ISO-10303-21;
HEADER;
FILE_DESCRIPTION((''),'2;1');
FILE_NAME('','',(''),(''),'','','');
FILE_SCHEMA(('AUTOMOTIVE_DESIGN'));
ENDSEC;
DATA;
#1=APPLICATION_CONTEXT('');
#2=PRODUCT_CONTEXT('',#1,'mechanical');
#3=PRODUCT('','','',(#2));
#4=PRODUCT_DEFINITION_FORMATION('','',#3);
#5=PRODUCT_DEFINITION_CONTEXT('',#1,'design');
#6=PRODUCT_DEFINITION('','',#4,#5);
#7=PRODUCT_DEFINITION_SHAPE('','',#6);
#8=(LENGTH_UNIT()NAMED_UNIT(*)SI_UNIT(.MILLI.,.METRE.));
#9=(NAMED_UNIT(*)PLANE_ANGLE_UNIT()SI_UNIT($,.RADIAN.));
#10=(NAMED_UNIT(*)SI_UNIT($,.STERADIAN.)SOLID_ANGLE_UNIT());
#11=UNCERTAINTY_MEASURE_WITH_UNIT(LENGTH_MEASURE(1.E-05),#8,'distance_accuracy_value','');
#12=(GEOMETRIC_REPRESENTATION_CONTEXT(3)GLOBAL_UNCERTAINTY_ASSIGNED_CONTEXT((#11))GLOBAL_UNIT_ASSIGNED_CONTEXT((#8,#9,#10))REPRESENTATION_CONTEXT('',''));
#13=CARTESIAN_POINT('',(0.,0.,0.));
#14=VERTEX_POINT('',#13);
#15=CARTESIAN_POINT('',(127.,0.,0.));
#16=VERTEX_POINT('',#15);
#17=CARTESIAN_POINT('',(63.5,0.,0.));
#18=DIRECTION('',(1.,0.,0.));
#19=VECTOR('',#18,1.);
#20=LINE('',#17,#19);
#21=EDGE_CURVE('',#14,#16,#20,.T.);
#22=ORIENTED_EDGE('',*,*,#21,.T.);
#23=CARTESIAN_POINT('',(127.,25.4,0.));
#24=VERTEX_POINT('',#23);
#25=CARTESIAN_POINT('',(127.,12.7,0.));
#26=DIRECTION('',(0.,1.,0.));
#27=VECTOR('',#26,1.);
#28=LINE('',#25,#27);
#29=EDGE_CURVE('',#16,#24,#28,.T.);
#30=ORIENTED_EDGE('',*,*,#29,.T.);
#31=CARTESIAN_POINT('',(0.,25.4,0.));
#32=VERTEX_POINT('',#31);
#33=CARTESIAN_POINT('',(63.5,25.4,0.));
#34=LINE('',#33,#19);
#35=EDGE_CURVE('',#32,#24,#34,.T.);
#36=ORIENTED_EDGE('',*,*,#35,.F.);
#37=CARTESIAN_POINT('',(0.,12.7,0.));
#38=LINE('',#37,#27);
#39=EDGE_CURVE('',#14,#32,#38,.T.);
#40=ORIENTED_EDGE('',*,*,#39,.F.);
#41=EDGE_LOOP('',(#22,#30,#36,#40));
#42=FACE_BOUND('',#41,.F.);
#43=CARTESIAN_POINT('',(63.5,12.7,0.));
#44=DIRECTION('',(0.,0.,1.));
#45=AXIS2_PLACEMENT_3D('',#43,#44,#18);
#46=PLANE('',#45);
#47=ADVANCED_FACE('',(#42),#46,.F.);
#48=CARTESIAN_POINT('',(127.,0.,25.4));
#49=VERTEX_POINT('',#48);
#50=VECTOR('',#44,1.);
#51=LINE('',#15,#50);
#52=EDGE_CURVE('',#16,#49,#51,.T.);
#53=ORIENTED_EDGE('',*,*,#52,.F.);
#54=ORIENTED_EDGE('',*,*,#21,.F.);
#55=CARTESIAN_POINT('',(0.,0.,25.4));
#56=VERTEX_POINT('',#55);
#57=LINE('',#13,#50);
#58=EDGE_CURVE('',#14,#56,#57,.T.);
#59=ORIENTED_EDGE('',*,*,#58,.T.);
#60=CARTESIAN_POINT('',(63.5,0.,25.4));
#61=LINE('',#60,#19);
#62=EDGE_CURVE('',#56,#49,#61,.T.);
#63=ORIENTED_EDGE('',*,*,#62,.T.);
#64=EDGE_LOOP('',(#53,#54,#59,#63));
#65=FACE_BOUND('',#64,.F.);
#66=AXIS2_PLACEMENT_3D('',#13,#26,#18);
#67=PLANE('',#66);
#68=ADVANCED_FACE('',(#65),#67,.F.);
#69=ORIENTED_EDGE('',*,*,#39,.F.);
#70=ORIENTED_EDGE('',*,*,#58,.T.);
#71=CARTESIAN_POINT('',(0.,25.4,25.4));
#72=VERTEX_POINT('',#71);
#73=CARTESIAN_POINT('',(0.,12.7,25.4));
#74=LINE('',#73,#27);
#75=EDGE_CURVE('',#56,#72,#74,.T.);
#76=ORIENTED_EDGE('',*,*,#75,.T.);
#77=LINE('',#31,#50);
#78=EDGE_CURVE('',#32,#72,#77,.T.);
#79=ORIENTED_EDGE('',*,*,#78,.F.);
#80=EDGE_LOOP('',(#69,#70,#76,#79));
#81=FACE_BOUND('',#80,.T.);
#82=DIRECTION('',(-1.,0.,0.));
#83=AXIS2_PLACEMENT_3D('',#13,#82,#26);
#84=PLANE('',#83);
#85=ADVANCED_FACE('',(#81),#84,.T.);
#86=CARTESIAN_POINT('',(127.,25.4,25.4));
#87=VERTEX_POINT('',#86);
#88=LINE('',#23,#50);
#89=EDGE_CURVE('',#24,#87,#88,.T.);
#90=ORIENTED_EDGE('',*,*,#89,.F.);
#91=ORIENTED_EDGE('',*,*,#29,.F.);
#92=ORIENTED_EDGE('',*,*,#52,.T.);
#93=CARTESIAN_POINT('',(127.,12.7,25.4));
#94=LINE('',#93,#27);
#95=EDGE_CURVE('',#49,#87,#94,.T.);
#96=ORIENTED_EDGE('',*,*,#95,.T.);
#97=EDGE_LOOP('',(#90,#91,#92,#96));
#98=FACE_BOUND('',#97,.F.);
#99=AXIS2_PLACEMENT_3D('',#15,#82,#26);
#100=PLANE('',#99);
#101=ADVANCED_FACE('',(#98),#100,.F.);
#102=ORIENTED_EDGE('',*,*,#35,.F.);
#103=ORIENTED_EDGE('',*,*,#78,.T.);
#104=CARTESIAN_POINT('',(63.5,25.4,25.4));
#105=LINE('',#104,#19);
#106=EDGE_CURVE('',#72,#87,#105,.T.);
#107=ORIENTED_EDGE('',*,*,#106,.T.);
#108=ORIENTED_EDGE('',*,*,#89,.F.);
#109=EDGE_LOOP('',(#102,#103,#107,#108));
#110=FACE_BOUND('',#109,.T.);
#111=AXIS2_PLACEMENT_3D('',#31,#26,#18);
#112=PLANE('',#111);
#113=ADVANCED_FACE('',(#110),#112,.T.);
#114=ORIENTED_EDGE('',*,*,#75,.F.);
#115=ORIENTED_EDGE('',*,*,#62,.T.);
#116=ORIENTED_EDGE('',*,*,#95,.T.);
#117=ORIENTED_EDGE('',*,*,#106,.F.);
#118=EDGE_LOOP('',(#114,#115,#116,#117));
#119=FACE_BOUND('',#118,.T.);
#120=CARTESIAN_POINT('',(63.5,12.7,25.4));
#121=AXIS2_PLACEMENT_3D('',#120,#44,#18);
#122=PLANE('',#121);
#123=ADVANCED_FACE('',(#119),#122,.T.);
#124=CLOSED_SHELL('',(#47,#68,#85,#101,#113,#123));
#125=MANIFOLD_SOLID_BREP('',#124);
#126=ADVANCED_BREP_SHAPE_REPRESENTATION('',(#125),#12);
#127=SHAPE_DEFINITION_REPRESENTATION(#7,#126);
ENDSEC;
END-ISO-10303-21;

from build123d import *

# Parameters (mm, degrees)
SKETCH1_W           = 127
SKETCH1_H           = 25.4
BOSS_EXTRUDE1_DEPTH = 25.4


with BuildPart() as part:
    # Sketch1 → Boss-Extrude1 (new body)
    with BuildSketch(Plane.XY):
        with Locations((63.5, 12.7)):
            Rectangle(SKETCH1_W, SKETCH1_H)
    extrude(amount=BOSS_EXTRUDE1_DEPTH)


solid = part.part
